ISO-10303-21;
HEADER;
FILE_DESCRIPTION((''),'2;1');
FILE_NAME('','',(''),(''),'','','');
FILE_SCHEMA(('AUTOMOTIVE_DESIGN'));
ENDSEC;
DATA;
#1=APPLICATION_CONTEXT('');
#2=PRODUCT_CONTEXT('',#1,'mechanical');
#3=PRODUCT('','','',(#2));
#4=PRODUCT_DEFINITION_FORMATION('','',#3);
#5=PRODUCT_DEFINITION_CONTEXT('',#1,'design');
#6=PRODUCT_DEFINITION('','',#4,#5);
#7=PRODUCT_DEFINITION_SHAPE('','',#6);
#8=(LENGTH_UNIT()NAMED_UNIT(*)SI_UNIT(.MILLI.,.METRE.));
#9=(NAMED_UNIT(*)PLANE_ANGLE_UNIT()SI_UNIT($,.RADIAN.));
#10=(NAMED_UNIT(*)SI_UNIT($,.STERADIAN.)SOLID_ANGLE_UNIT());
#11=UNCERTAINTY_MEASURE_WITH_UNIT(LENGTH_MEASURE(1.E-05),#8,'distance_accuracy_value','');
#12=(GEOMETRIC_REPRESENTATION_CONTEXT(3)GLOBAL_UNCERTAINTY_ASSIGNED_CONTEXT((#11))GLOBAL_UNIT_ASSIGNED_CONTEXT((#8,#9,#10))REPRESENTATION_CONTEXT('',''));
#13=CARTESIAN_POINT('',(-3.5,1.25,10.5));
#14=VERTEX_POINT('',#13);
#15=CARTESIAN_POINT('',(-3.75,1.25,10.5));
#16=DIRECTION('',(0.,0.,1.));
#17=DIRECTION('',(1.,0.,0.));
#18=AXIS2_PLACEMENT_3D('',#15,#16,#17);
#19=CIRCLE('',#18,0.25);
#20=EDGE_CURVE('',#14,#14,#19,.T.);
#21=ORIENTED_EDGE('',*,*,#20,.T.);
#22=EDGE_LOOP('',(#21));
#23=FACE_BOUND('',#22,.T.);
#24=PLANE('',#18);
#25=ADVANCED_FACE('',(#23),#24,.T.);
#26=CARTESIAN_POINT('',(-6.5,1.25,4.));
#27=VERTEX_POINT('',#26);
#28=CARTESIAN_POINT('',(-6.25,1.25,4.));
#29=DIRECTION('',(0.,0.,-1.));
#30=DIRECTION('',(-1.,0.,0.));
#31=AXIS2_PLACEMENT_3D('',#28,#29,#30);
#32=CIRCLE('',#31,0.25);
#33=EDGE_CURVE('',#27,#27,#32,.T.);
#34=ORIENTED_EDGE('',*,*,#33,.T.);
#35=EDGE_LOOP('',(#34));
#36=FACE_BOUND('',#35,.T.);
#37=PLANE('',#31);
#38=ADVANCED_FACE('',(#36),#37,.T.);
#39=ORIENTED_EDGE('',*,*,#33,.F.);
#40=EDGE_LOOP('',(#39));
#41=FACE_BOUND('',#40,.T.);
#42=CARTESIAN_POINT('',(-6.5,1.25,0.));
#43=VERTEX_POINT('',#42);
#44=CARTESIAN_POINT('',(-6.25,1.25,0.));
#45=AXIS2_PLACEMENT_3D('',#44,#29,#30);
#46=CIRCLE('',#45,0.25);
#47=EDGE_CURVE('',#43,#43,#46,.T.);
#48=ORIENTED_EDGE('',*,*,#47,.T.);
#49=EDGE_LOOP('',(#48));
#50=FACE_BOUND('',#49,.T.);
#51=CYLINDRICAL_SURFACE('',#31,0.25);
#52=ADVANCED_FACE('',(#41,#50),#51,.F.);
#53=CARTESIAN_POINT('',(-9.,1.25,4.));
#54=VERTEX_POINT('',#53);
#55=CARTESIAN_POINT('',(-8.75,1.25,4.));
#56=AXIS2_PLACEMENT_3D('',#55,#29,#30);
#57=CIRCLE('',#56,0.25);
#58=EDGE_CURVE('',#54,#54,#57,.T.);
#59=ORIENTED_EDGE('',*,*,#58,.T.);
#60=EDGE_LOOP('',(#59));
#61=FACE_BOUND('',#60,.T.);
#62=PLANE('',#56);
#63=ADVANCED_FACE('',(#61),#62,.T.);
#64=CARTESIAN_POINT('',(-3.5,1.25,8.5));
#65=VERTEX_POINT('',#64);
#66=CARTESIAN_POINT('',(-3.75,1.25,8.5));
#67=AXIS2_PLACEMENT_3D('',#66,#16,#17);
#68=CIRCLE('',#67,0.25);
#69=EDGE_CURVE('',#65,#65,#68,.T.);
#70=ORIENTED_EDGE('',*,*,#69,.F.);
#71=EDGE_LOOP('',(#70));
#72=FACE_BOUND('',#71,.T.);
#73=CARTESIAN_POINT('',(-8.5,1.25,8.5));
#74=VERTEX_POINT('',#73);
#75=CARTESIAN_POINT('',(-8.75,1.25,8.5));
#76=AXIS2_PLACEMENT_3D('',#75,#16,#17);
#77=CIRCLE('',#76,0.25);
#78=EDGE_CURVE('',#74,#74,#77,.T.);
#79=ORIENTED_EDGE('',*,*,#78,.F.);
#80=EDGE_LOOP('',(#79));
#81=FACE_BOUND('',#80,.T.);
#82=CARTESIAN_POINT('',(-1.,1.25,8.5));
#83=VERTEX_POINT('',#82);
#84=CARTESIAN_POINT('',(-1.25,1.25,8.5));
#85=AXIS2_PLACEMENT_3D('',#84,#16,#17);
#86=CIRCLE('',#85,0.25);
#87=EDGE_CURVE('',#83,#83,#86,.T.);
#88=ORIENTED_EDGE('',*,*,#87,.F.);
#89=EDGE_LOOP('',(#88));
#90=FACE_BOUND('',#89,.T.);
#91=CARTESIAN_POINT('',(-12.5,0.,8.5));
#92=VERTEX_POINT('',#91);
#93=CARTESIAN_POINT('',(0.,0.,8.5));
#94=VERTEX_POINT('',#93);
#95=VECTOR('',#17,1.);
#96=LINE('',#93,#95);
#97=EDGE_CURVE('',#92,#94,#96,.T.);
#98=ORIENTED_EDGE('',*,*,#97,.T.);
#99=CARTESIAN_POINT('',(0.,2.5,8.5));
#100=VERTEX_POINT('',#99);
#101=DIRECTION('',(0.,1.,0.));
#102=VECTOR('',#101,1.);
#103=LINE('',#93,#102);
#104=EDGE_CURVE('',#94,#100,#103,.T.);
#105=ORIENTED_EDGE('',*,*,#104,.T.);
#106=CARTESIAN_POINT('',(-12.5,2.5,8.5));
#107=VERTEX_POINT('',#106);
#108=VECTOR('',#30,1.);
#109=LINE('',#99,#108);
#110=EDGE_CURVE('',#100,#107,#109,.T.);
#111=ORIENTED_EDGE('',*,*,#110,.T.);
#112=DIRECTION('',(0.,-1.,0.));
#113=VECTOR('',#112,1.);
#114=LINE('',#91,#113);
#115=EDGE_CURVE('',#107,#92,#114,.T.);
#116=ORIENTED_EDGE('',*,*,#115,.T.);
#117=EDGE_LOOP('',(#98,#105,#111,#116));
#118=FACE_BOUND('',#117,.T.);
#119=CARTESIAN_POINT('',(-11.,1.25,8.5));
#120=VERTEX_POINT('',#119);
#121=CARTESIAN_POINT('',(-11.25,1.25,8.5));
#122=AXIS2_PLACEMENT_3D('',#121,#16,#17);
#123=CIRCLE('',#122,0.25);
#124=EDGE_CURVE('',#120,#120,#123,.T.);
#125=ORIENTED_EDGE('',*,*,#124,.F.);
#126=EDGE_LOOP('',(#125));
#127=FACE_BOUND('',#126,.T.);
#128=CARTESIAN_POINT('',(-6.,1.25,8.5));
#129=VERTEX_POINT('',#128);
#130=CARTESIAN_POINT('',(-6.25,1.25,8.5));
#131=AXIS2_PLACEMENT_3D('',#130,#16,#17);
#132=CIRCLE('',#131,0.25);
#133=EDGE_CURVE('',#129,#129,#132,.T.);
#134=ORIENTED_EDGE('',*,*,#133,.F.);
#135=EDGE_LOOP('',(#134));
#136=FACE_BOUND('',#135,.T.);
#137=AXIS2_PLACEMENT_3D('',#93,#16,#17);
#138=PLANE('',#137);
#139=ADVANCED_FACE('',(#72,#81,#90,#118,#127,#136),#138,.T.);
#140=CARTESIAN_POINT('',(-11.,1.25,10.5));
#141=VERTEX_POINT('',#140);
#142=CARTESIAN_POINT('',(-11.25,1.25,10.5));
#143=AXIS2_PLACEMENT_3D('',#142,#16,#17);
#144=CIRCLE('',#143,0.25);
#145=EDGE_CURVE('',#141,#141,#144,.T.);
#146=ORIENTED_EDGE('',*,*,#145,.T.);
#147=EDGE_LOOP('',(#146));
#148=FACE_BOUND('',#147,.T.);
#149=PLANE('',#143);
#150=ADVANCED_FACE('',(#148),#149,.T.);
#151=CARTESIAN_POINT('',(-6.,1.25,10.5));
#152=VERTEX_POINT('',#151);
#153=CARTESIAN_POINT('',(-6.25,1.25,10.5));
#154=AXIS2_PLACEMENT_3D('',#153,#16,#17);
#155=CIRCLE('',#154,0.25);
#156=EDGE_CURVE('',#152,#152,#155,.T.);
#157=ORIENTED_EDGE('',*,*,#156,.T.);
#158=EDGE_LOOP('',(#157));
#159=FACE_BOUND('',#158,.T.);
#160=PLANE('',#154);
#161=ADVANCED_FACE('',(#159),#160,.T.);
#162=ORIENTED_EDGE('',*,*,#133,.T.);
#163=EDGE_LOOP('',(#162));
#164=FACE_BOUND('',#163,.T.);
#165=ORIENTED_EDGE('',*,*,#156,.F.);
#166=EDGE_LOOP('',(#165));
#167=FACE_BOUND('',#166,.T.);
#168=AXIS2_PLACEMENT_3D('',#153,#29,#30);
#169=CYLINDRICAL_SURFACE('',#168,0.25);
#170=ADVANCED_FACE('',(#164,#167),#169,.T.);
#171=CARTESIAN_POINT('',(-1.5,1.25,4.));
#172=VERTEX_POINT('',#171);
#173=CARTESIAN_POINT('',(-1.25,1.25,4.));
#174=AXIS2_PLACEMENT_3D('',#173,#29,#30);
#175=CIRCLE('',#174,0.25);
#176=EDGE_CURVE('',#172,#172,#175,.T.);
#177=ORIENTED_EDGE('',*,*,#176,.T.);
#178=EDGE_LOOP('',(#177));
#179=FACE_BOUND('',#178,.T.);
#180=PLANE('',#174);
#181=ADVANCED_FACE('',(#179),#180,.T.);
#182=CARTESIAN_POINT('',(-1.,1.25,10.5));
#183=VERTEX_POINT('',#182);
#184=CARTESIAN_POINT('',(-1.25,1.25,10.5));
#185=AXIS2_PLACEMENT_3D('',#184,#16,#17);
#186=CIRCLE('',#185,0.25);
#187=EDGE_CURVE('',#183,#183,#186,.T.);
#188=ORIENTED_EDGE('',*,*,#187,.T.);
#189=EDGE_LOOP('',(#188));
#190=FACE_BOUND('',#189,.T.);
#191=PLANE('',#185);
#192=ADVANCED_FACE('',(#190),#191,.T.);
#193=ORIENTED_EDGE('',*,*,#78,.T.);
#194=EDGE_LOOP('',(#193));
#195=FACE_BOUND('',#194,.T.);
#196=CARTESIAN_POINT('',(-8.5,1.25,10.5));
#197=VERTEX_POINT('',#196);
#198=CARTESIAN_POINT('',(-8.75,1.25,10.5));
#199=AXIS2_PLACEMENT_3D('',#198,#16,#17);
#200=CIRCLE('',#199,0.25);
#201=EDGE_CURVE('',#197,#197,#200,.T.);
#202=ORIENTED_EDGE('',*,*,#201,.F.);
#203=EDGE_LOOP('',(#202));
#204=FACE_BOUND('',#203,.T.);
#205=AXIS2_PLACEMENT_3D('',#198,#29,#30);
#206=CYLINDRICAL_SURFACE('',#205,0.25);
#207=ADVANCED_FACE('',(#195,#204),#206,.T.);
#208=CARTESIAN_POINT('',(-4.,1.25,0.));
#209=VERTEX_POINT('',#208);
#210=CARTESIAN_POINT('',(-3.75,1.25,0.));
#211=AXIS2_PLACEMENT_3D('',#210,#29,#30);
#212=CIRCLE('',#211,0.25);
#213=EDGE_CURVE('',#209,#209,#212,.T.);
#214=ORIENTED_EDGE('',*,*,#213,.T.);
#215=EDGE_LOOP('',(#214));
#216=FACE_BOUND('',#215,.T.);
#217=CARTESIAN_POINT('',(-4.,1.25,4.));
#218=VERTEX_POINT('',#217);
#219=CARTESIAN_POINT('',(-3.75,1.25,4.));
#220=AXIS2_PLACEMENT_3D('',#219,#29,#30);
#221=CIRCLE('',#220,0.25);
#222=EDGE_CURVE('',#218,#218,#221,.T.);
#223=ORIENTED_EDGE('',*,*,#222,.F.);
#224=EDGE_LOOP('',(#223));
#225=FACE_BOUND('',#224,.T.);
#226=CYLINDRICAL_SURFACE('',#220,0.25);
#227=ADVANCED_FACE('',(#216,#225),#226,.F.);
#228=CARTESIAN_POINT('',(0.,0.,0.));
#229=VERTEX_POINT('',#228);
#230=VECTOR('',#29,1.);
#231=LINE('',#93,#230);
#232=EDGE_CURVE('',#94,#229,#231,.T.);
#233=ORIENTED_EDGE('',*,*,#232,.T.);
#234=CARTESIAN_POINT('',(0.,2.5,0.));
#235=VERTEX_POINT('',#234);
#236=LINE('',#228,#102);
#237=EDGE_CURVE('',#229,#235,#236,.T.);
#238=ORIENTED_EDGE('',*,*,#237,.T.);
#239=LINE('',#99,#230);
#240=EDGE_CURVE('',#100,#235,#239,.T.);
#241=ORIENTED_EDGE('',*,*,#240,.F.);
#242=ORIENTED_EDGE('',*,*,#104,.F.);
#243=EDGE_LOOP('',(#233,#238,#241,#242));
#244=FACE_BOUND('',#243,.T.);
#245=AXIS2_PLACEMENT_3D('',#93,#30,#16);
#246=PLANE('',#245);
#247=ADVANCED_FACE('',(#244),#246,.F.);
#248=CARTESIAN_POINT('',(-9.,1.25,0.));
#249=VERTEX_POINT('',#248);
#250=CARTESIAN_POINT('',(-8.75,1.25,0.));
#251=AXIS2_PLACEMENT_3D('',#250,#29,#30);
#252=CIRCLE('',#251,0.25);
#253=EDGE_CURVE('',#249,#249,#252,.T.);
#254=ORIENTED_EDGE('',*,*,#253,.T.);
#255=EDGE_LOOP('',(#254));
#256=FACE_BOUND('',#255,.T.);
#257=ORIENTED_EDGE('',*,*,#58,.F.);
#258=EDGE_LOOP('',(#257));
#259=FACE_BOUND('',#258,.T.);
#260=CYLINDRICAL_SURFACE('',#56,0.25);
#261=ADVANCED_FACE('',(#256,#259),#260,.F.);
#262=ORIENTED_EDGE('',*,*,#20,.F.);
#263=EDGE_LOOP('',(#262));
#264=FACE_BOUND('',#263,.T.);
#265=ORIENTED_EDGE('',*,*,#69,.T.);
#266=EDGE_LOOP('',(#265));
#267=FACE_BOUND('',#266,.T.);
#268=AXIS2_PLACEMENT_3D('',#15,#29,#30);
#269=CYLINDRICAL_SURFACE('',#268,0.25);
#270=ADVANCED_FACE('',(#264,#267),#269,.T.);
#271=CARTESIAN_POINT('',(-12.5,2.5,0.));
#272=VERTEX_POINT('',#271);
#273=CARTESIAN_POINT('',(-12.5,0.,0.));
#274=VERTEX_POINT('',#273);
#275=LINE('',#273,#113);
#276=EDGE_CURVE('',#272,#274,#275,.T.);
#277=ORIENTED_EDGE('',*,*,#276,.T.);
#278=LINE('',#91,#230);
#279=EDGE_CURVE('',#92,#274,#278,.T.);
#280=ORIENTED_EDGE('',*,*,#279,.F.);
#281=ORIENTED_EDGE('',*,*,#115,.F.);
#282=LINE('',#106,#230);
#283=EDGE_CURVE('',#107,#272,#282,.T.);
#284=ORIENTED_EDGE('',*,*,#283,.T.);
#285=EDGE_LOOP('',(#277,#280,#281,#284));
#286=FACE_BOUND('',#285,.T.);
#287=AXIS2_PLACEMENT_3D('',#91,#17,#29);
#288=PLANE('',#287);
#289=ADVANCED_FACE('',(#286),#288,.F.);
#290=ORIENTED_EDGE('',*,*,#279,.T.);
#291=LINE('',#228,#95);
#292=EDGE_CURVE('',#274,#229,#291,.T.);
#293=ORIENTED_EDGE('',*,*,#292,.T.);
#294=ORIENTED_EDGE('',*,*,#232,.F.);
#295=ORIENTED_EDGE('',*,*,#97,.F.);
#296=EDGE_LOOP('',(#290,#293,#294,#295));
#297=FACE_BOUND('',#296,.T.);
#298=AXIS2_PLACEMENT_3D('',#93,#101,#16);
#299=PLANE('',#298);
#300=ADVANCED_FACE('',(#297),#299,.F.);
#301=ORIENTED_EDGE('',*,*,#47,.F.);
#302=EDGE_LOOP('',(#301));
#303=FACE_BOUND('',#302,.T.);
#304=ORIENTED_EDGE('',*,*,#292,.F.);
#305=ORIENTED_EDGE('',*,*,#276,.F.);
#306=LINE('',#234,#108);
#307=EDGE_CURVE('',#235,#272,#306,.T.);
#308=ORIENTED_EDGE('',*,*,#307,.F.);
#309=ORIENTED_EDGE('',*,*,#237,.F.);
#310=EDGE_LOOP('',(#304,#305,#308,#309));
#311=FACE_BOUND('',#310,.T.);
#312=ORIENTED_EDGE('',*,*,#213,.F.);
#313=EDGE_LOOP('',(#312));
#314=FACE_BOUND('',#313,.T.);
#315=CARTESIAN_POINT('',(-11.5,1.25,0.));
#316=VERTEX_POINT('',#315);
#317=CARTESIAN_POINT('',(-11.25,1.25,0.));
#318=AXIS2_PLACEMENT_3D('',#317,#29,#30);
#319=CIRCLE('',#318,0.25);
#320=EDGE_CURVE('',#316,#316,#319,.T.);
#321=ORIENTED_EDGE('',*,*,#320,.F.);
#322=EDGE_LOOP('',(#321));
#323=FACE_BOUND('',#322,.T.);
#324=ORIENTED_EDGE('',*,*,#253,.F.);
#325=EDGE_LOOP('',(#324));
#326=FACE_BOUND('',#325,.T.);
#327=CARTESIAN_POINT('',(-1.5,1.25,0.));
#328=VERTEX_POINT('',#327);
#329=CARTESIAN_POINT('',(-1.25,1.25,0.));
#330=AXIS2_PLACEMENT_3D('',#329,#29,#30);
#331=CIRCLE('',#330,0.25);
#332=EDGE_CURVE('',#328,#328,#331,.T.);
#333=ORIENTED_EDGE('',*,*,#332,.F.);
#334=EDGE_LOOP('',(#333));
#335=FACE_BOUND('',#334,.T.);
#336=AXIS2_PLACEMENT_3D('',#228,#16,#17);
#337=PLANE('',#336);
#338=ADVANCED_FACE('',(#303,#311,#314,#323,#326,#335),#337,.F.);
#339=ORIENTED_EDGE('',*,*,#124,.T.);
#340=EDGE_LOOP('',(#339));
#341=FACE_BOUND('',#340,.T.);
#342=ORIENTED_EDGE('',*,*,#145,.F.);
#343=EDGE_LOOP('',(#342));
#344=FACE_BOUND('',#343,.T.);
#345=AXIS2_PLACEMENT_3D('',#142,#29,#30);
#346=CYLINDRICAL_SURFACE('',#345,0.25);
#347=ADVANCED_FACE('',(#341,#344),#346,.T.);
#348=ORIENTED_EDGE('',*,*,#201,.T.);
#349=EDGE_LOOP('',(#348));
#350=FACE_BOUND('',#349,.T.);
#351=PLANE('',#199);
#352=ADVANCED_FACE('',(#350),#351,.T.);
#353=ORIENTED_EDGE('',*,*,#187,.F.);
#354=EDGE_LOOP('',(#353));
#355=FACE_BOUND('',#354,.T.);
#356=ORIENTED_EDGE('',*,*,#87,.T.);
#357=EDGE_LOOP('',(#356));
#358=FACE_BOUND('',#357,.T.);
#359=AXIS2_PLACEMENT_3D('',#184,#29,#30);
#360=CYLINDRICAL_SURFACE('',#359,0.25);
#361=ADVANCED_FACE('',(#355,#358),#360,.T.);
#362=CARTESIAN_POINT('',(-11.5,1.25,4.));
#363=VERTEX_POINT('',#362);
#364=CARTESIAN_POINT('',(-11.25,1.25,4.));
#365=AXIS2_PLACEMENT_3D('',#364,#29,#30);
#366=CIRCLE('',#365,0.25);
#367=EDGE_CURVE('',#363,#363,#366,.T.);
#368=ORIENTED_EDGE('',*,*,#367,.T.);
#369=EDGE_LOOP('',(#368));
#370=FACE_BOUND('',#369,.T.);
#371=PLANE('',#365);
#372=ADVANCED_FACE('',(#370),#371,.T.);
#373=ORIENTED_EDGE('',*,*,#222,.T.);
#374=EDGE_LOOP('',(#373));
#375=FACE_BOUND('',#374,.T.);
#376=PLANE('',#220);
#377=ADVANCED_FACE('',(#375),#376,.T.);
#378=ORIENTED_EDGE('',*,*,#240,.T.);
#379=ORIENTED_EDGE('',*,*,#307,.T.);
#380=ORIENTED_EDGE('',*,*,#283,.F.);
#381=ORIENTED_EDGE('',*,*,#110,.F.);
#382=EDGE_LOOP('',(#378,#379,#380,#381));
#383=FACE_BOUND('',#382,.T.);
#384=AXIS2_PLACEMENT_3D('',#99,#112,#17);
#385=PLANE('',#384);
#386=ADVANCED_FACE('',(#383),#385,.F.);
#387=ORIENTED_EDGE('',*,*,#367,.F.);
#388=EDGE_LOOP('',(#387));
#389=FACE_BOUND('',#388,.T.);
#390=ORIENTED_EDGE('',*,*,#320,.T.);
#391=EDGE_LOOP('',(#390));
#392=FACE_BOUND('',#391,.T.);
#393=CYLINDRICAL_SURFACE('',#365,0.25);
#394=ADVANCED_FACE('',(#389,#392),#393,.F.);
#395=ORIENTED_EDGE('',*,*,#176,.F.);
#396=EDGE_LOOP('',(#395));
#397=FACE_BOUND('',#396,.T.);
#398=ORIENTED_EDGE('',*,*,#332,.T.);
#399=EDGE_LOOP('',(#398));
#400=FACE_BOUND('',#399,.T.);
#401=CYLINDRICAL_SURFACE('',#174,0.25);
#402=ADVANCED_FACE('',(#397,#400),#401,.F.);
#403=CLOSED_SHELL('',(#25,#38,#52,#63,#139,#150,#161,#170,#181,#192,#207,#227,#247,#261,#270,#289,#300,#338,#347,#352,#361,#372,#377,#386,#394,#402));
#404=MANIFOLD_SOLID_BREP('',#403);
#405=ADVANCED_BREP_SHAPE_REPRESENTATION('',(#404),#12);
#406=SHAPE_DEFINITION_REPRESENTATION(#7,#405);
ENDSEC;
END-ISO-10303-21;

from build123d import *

# Parameters (mm, degrees)
ESQUISSE1_W                = 2.5
ESQUISSE1_H                = 2.5
BOSS_EXTRU_1_DEPTH         = 8.5
ESQUISSE2_R                = 0.25
BOSS_EXTRU_2_DEPTH         = 2
ESQUISSE3_R                = 0.25
ENL_V_MAT_EXTRU_2_DEPTH    = 4
R_P_TITION_LIN_AIRE1_COUNT = 5
R_P_TITION_LIN_AIRE1_PITCH = 2.5


with BuildPart() as part:
    # Esquisse1 → Boss.-Extru.1 (new body)
    with BuildSketch(Plane.XY):
        with Locations((-1.25, 1.25)):
            Rectangle(ESQUISSE1_W, ESQUISSE1_H)
    boss_extru_1 = extrude(amount=BOSS_EXTRU_1_DEPTH)

    # Esquisse2 → Boss.-Extru.2 (add)
    with BuildSketch(Plane.XY.offset(8.5)):
        with Locations((-1.25, 1.25)):
            Circle(ESQUISSE2_R)
    boss_extru_2 = extrude(amount=BOSS_EXTRU_2_DEPTH)

    # Esquisse3 → Enlèv. mat.-Extru.2 (cut)
    with BuildSketch(Plane(origin=(0, 0, 0), x_dir=(-1, 0, 0), z_dir=(0, 0, -1))):
        with Locations(Location((1.25, 1.25, 0), (0, 0, 180))):
            Circle(ESQUISSE3_R)
    enl_v_mat_extru_2 = extrude(amount=-ENL_V_MAT_EXTRU_2_DEPTH, mode=Mode.SUBTRACT)

    # Répétition linéaire1: Boss.-Extru.1, Boss.-Extru.2, Enlèv. mat.-Extru.2 ×5
    with Locations(*[(-i * R_P_TITION_LIN_AIRE1_PITCH, 0, 0) for i in range(1, R_P_TITION_LIN_AIRE1_COUNT)]):
        add(boss_extru_1)
        add(boss_extru_2)
        add(enl_v_mat_extru_2, mode=Mode.SUBTRACT)


solid = part.part
